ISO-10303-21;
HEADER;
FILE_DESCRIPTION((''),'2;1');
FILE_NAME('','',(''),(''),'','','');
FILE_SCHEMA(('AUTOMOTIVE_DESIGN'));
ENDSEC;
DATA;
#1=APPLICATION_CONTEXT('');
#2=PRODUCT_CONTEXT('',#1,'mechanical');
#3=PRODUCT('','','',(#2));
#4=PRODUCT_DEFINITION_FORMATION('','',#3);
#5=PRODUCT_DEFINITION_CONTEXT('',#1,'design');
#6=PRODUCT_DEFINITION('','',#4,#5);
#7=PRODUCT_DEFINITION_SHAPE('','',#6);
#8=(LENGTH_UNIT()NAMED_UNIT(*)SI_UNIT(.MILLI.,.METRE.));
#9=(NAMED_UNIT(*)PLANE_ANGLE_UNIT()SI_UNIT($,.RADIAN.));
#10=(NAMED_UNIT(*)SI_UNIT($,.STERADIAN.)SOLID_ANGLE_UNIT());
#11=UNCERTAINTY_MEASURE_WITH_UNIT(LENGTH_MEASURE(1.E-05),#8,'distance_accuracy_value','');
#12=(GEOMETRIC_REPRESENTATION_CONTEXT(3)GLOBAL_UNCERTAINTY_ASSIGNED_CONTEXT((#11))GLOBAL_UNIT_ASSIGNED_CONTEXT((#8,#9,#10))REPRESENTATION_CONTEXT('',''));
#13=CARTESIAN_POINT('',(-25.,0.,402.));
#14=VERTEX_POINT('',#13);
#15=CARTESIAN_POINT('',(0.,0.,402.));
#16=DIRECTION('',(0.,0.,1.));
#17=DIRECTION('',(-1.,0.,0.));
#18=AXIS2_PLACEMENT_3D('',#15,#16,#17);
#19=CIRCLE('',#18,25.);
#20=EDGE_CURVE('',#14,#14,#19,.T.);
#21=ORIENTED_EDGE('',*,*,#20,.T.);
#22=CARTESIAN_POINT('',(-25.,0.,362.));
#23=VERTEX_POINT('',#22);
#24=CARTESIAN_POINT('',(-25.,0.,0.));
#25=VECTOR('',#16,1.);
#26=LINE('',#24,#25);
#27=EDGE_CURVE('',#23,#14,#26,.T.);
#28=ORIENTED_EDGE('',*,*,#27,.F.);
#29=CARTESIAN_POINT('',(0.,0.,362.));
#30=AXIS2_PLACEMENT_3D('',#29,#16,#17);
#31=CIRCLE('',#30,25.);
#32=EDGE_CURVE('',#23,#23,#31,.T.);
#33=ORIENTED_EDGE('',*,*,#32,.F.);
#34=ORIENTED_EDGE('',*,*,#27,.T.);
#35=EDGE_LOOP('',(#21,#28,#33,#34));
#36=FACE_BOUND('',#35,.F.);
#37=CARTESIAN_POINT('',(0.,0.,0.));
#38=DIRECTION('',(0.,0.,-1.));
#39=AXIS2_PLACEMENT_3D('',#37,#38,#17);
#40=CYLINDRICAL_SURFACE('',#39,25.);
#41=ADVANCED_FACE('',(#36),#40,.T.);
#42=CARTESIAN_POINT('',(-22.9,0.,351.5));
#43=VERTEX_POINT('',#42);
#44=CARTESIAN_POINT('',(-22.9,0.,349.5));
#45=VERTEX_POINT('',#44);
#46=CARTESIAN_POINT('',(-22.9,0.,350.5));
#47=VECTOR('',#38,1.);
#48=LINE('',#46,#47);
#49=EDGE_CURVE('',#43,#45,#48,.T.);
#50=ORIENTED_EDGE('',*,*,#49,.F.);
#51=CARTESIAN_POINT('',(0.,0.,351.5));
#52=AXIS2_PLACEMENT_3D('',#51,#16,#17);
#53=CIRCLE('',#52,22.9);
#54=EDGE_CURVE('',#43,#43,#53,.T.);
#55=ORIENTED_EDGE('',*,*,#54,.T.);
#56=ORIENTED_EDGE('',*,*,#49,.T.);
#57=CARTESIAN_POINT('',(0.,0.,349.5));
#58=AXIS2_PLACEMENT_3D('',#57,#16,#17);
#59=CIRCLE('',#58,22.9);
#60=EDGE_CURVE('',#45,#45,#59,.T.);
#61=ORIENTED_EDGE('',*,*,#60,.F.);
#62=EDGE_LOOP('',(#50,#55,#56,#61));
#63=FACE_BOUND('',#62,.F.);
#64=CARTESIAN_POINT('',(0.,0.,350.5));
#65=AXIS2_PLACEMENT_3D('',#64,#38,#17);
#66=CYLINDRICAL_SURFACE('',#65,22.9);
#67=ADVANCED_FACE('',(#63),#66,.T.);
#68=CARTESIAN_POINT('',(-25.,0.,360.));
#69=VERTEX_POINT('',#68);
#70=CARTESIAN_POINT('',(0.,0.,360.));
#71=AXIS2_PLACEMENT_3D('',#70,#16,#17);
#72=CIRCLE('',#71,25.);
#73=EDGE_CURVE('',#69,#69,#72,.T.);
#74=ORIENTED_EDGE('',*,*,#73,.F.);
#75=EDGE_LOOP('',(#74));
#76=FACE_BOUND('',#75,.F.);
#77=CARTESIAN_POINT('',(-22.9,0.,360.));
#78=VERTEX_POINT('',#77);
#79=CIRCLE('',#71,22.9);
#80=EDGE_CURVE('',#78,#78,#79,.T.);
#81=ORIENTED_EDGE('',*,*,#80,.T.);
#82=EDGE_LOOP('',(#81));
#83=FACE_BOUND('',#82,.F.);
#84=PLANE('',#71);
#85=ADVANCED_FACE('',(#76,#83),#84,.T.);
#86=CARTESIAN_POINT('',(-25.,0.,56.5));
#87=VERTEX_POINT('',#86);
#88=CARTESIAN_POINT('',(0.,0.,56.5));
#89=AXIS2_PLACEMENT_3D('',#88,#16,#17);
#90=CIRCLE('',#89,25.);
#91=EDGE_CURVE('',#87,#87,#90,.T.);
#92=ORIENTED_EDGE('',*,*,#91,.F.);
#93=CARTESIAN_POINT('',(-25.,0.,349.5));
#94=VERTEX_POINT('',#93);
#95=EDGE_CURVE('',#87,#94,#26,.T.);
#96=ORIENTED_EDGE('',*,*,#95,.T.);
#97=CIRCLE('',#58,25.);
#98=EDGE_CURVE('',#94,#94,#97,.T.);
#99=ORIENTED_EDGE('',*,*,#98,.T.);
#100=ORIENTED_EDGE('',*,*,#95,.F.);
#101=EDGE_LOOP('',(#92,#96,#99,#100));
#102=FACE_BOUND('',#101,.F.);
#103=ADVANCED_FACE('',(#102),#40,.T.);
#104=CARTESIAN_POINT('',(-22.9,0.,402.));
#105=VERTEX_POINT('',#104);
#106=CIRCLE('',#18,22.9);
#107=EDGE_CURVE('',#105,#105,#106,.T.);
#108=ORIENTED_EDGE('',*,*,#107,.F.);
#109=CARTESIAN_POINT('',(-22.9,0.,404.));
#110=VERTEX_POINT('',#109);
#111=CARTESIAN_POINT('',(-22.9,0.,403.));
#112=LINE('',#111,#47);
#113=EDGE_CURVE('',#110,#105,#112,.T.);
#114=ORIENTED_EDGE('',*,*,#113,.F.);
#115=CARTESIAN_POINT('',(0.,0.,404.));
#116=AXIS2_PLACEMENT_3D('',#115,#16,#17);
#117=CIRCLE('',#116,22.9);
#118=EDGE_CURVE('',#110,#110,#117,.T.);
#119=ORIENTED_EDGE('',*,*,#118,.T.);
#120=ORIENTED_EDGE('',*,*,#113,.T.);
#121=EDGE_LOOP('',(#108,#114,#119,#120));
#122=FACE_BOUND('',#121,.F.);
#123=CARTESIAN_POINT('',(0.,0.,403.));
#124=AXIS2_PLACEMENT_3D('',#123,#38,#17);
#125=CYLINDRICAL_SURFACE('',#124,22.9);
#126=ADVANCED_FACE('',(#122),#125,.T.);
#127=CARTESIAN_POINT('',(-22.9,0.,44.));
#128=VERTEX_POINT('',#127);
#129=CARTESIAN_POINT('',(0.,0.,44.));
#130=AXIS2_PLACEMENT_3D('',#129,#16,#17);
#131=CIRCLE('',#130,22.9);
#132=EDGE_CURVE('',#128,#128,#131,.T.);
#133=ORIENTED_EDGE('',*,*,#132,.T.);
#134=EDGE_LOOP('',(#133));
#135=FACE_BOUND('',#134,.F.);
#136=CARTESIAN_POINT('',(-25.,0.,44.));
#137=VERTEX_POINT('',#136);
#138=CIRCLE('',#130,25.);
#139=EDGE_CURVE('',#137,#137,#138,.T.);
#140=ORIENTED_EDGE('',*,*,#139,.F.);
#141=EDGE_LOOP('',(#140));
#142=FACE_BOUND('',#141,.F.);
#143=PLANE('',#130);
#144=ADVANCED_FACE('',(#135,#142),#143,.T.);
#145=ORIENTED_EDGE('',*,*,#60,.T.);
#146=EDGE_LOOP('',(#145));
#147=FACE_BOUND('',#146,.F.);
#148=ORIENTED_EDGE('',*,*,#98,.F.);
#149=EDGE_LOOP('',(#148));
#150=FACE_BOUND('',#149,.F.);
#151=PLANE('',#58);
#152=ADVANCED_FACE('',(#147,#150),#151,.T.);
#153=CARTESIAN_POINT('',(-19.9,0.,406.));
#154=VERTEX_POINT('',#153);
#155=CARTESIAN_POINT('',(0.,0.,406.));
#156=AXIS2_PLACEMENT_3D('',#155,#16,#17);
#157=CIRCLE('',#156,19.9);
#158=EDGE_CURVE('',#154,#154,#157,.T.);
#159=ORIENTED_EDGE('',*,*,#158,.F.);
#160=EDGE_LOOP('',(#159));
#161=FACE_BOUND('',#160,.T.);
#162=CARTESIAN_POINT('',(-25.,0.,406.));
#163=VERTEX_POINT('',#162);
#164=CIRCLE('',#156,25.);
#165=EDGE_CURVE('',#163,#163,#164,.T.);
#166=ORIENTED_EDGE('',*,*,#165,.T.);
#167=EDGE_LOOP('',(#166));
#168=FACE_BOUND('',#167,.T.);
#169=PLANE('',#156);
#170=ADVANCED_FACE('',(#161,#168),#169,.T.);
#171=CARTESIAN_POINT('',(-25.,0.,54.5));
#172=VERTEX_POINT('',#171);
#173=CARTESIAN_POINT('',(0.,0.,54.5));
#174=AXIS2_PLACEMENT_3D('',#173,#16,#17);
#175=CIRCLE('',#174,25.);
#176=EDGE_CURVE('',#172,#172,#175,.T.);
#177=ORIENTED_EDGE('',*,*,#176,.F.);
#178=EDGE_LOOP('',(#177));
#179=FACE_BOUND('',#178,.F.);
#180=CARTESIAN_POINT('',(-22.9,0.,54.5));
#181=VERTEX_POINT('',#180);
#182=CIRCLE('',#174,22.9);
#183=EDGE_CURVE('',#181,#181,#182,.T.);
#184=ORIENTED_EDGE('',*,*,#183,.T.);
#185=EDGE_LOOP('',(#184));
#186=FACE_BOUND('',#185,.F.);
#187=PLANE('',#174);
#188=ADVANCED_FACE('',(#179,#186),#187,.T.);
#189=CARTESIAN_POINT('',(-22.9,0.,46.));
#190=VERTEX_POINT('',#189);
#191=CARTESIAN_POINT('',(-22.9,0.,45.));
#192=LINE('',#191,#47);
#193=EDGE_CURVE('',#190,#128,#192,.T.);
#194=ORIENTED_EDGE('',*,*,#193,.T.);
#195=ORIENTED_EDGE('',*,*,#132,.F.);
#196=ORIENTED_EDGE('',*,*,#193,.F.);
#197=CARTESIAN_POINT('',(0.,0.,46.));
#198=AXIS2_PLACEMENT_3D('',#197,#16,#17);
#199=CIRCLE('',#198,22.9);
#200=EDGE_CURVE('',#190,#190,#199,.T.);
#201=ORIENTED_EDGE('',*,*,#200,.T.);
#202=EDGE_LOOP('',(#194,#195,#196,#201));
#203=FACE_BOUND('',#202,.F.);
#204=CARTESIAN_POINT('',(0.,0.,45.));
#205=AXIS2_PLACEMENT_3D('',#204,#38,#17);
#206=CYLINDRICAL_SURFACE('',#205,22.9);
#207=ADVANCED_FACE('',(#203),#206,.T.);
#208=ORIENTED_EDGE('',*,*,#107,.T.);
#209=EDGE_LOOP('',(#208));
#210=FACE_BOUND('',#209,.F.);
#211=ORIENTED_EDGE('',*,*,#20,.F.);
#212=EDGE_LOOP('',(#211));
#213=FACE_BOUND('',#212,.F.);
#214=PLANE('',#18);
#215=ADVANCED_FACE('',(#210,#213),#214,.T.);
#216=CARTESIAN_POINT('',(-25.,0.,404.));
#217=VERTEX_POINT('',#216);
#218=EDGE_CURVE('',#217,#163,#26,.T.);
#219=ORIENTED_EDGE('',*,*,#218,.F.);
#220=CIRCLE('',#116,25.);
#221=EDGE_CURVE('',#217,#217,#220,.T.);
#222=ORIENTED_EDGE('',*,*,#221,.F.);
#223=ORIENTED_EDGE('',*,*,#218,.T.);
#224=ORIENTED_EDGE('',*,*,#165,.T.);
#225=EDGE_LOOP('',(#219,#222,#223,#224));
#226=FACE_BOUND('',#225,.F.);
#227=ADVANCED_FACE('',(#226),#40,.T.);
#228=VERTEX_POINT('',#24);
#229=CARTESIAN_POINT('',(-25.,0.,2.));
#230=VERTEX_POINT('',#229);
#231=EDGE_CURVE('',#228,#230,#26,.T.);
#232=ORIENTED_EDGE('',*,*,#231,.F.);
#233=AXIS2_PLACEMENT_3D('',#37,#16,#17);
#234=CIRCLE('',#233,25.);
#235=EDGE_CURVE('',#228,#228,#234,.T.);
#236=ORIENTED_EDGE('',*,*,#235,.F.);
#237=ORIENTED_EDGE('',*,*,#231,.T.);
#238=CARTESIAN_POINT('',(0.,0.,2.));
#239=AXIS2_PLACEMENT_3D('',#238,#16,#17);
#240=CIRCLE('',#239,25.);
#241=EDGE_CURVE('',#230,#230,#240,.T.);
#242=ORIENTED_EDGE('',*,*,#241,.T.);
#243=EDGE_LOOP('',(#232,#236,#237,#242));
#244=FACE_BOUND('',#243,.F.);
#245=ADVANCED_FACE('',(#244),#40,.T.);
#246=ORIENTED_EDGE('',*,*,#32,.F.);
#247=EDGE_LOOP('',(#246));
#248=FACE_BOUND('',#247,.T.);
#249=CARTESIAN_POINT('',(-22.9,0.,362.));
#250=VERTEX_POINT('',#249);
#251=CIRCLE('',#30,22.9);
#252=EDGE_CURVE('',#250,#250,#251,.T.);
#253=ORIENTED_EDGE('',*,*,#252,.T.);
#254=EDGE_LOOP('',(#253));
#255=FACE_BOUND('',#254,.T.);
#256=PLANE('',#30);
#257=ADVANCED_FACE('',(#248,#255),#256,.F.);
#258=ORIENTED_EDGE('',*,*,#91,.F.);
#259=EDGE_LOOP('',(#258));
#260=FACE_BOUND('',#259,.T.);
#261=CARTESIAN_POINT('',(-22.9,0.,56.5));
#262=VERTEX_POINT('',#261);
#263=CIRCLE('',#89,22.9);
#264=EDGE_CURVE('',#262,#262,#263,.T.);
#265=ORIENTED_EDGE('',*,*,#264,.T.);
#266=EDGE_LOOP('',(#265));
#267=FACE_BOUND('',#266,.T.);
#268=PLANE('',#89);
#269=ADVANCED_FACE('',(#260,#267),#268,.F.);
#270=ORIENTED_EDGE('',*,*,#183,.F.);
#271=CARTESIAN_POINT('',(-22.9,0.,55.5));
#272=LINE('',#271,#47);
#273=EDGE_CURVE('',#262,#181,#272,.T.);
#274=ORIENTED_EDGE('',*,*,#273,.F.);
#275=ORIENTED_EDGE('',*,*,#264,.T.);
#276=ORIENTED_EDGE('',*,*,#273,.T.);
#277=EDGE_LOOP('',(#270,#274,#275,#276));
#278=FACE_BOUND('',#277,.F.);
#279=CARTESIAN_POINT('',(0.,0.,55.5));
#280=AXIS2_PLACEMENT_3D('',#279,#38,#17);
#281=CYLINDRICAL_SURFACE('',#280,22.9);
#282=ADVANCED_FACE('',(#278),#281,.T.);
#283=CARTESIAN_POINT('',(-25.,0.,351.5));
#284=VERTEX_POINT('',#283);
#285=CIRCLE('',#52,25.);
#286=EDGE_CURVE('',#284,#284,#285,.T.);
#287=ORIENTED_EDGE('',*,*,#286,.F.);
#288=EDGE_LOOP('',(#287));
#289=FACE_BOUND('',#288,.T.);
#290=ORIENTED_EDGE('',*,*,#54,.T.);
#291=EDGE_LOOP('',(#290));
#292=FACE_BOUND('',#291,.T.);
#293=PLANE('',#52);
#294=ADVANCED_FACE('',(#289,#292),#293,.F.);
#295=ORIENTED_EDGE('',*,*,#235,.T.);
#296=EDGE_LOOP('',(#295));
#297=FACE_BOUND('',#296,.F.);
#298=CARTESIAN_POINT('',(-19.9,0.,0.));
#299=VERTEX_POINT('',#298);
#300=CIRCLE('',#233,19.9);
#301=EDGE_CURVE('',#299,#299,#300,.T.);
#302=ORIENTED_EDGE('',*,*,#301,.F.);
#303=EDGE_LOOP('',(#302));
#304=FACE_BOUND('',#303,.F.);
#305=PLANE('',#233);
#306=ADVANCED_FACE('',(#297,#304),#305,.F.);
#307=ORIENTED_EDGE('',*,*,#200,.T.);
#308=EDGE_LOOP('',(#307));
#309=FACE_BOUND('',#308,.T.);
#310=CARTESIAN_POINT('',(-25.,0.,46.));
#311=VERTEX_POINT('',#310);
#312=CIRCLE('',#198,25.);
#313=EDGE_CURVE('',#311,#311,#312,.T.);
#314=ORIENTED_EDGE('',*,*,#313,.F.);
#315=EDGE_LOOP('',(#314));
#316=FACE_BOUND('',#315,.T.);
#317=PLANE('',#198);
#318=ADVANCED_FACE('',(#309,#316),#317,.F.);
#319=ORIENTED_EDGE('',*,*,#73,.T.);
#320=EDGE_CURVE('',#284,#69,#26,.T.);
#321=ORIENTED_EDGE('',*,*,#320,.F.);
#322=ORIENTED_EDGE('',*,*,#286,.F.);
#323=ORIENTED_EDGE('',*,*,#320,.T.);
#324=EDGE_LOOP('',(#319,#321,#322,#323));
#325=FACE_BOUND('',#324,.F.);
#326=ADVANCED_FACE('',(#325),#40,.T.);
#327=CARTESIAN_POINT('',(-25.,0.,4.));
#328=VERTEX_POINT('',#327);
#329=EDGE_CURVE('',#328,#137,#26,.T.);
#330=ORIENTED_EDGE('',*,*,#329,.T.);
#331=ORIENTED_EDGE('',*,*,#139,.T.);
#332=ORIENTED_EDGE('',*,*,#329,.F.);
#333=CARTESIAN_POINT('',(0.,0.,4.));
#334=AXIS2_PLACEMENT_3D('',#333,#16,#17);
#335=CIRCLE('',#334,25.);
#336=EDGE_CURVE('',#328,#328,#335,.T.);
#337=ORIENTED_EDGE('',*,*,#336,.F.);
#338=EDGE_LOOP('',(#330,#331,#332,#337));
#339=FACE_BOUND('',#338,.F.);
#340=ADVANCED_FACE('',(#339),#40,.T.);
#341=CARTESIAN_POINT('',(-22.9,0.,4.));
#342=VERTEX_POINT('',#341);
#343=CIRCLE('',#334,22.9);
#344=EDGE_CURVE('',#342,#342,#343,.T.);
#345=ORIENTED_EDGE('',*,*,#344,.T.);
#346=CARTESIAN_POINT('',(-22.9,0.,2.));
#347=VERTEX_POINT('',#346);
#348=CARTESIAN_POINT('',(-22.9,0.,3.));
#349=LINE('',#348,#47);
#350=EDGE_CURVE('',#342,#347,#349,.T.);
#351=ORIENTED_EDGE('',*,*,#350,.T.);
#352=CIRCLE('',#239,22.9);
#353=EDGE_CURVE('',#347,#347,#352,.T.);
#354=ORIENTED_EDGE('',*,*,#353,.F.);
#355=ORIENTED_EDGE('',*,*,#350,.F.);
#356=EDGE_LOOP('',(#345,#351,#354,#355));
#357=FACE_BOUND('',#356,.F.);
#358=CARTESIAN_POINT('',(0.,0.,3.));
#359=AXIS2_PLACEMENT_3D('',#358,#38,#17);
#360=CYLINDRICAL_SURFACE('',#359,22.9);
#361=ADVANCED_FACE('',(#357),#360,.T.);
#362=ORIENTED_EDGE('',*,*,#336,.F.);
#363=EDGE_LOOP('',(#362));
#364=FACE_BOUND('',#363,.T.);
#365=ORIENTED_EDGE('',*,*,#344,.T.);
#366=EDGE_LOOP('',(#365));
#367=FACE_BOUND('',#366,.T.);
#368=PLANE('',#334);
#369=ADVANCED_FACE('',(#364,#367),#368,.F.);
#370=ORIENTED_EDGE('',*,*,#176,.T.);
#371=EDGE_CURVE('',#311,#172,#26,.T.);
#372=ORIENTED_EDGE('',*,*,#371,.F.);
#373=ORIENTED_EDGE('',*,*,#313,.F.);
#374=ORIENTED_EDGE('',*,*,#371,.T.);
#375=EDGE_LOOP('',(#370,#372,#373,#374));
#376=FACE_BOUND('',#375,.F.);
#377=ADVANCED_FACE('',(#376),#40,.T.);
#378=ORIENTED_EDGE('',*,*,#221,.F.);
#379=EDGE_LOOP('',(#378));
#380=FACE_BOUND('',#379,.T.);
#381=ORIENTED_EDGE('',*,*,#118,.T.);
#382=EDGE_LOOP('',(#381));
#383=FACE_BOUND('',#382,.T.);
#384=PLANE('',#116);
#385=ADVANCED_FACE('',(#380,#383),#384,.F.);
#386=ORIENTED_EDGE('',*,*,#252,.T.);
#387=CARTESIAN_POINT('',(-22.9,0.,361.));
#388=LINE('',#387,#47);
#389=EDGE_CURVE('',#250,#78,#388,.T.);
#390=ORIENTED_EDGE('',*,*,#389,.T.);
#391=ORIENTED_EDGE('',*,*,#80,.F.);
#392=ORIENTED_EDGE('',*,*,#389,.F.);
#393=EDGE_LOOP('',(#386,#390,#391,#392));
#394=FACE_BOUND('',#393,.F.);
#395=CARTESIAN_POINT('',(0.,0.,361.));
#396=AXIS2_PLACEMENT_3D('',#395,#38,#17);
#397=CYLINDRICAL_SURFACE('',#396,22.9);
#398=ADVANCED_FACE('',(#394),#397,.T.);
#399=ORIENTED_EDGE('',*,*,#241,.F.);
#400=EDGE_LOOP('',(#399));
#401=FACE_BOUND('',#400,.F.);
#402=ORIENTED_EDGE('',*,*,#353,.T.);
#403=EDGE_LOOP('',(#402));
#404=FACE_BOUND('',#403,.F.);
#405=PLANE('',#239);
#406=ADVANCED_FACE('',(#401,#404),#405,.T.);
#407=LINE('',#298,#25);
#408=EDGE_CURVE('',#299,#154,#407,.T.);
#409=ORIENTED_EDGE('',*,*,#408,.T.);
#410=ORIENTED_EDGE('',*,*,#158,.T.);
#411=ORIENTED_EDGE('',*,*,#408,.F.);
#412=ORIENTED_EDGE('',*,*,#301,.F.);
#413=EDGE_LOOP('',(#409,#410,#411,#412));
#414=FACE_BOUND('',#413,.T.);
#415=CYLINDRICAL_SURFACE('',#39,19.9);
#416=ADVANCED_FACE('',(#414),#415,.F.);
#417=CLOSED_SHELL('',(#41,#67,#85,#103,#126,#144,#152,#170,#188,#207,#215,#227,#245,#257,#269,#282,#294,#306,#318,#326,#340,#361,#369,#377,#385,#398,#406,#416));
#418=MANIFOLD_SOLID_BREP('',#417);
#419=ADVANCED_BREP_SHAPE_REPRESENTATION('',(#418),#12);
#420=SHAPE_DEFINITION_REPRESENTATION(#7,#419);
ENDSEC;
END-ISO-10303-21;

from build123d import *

# Parameters (mm, degrees)
SKETCH1_R   = 25
SKETCH1_R_2 = 19.9
BODY_DEPTH  = 406
SKETCH2_W   = 2
SKETCH2_H   = 2.1


with BuildPart() as part:
    # Sketch1 → Body (new body)
    with BuildSketch(Plane.XY):
        with Locations(Location((0, 0, 0), (0, 0, 180))):
            Circle(SKETCH1_R)
        with Locations(Location((0, 0, 0), (0, 0, 180))):
            Circle(SKETCH1_R_2, mode=Mode.SUBTRACT)
    extrude(amount=BODY_DEPTH)

    # Sketch2 → Ret Ring Grooves (revolve, cut)
    with BuildSketch(Plane(origin=(0, 0, 0), x_dir=(0, 0, -1), z_dir=(1, 0, 0)), mode=Mode.PRIVATE) as ret_ring_grooves_sk:
        with Locations((-403, 23.95)):
            Rectangle(SKETCH2_W, SKETCH2_H)
        with Locations((-361, 23.95)):
            Rectangle(SKETCH2_W, SKETCH2_H)
        with Locations((-55.5, 23.95)):
            Rectangle(SKETCH2_W, SKETCH2_H)
        with Locations((-350.5, 23.95)):
            Rectangle(SKETCH2_W, SKETCH2_H)
        with Locations((-45, 23.95)):
            Rectangle(SKETCH2_W, SKETCH2_H)
        with Locations((-3, 23.95)):
            Rectangle(SKETCH2_W, SKETCH2_H)
    revolve(ret_ring_grooves_sk.sketch.rotate(Axis((0, 0, 0), (0, 0, 1)), 90), axis=Axis((0, 0, 0), (0, 0, 1)), mode=Mode.SUBTRACT)


solid = part.part
